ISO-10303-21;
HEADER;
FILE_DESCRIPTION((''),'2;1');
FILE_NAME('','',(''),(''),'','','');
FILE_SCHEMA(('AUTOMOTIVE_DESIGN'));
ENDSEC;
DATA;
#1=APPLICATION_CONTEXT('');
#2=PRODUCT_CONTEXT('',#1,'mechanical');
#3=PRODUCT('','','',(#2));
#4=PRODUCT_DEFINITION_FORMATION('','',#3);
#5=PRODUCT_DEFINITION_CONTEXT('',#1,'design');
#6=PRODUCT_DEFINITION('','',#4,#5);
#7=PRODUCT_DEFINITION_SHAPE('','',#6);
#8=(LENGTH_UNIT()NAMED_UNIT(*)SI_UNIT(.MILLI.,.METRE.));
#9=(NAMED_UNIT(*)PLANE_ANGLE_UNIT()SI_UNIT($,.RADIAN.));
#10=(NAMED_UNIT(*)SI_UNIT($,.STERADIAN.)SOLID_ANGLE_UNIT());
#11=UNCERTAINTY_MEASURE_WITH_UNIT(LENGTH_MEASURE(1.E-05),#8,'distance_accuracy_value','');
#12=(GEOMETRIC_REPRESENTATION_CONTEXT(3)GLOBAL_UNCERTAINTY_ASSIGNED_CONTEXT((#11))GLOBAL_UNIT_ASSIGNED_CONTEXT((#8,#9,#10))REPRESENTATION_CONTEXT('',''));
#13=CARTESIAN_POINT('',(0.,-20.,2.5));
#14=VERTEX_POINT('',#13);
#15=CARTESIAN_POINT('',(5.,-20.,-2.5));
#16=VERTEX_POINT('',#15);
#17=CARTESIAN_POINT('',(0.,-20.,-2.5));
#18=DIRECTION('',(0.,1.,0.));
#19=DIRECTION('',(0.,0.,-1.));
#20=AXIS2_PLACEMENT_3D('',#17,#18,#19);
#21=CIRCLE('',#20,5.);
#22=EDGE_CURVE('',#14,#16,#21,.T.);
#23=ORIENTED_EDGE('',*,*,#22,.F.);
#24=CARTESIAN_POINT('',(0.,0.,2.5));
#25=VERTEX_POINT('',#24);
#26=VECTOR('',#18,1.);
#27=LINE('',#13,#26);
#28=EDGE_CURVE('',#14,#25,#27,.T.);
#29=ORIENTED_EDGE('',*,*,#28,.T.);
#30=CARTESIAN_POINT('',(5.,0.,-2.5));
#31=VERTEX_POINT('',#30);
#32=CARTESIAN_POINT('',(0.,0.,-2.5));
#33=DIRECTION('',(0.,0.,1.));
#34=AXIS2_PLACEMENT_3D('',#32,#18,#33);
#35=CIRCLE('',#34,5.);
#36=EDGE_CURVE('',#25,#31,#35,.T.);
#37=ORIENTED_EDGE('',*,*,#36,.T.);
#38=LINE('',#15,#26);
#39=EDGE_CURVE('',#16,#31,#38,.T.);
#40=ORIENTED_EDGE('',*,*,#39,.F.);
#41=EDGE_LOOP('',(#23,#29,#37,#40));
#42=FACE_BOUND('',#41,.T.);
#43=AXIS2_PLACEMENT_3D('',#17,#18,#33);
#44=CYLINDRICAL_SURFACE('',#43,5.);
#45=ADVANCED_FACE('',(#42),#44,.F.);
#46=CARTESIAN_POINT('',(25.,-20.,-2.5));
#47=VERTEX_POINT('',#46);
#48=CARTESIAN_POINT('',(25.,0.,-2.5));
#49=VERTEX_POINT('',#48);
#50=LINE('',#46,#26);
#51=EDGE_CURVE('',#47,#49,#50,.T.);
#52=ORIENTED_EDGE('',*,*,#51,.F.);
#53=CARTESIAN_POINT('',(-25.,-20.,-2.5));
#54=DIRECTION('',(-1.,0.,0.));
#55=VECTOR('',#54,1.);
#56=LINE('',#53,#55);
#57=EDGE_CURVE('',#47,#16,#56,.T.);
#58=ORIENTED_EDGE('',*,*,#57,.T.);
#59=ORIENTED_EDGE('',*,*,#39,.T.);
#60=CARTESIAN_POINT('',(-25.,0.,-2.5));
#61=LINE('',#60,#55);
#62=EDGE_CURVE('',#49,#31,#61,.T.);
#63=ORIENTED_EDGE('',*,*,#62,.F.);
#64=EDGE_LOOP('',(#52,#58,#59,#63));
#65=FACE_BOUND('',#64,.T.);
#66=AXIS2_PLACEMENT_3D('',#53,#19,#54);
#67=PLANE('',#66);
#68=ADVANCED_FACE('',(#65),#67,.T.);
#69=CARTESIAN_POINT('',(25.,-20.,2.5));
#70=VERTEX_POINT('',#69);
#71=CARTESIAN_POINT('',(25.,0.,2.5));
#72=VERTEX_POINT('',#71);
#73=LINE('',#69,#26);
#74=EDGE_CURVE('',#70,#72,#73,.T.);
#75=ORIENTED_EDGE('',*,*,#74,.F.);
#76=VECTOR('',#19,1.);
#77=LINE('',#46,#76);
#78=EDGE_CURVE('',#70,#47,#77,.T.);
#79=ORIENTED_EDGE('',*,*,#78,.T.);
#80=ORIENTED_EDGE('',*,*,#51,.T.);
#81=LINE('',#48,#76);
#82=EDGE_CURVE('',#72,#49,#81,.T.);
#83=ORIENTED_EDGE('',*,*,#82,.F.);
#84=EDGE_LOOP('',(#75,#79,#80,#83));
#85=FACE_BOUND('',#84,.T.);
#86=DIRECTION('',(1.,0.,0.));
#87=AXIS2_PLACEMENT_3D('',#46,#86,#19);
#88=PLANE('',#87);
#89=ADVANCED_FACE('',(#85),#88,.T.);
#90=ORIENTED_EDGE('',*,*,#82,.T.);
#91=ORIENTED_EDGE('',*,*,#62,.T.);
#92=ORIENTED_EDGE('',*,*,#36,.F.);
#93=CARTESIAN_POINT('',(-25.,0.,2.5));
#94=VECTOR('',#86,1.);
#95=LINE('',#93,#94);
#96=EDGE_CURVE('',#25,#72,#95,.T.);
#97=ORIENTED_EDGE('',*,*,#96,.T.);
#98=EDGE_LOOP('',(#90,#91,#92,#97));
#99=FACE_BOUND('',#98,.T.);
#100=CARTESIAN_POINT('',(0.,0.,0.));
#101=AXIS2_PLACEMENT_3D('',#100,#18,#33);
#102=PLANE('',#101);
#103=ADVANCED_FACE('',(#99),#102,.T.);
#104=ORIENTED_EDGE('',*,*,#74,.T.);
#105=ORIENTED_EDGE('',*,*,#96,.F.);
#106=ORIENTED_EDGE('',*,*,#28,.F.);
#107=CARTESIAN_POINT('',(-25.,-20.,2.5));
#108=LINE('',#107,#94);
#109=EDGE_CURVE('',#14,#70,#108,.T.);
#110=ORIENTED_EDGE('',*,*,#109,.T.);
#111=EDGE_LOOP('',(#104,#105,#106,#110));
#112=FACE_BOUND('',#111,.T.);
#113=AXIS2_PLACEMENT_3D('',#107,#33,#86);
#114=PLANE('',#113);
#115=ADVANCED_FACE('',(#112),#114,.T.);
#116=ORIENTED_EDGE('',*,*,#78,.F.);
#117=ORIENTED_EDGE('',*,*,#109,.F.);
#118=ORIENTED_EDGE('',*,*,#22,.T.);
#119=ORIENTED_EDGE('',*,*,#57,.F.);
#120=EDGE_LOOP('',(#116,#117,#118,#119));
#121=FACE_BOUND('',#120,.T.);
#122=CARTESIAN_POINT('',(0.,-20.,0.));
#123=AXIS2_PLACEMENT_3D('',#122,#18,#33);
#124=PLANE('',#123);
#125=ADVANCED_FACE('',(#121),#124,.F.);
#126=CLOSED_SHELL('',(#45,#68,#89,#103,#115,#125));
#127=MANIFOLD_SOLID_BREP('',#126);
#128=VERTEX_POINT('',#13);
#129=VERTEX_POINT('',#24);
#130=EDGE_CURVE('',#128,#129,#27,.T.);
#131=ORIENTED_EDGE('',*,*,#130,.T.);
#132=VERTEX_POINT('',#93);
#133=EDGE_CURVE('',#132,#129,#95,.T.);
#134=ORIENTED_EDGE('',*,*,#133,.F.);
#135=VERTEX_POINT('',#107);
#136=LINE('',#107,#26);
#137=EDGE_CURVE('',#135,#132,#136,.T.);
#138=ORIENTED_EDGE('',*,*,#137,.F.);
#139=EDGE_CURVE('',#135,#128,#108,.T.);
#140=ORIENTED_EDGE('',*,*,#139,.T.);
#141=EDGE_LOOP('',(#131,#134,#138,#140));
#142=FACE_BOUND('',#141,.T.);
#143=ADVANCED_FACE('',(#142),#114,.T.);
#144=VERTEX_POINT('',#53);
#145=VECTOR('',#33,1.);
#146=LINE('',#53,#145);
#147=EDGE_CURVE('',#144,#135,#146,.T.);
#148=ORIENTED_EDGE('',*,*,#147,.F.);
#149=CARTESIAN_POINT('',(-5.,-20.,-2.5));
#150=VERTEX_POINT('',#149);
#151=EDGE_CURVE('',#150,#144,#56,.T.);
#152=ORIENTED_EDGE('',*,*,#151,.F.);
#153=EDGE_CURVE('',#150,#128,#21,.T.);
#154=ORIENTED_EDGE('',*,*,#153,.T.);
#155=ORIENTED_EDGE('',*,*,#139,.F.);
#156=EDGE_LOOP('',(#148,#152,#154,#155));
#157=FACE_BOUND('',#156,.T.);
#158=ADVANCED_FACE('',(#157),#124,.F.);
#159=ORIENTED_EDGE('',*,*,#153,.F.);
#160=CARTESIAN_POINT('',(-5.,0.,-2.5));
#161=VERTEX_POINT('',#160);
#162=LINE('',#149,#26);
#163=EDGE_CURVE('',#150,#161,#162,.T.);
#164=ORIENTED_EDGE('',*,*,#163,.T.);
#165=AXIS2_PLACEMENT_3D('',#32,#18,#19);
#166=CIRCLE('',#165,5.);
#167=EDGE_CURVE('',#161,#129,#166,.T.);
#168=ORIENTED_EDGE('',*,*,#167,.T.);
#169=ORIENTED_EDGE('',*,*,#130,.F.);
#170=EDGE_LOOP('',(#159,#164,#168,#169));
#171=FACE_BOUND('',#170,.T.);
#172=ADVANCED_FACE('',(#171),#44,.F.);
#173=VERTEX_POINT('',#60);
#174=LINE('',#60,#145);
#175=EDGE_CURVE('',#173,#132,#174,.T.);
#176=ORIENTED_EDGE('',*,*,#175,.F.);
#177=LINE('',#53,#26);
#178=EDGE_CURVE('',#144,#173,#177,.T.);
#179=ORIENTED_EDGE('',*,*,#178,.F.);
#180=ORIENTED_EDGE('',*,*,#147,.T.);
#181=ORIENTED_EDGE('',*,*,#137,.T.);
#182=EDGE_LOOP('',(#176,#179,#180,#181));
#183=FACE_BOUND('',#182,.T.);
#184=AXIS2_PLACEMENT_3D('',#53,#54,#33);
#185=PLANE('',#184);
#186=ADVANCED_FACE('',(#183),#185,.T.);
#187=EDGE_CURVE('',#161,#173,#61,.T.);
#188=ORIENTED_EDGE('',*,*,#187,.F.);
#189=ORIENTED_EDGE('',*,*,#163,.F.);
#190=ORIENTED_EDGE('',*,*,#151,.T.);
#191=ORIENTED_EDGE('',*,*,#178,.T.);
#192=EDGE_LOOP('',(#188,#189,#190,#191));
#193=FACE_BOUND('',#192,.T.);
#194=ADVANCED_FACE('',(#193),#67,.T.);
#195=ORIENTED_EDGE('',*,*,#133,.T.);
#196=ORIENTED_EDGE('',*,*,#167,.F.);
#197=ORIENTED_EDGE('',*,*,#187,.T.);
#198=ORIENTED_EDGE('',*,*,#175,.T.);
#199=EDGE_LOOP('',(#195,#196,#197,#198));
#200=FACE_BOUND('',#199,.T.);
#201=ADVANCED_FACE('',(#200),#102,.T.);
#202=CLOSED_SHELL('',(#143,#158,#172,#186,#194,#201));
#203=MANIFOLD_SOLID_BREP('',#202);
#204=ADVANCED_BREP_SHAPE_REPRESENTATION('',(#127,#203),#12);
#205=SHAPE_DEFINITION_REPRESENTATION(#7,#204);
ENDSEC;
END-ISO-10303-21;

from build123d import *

# Parameters (mm, degrees)
SKETCH3_W           = 50
SKETCH3_H           = 5
BOSS_EXTRUDE2_DEPTH = 20
CUT_EXTRUDE2_DEPTH  = 20


with BuildPart() as part:
    # Sketch3 → Boss-Extrude2 (new body)
    with BuildSketch(Plane(origin=(0, 0, 0), x_dir=(1, 0, 0), z_dir=(0, 1, 0))):
        Rectangle(SKETCH3_W, SKETCH3_H)
    extrude(amount=-BOSS_EXTRUDE2_DEPTH)

    # Sketch5 → Cut-Extrude2 (cut)
    with BuildSketch(Plane(origin=(0, 0, 0), x_dir=(1, 0, 0), z_dir=(0, 1, 0))):
        with BuildLine():
            Line((-5, 2.5), (5, 2.5))
            ThreePointArc((5, 2.5), (0, -2.5), (-5, 2.5))
        make_face()
    extrude(amount=-CUT_EXTRUDE2_DEPTH, mode=Mode.SUBTRACT)


with BuildPart() as cut_extrude2_piece_1:
    # of the separate pieces the step leaves, piece 1, a body of its own (cut_extrude2_pieces)
    add(part.part.solids().sort_by_distance((5, 0, -2.5))[0])


with BuildPart() as cut_extrude2_piece_2:
    # of the separate pieces the step leaves, piece 2, a body of its own (cut_extrude2_pieces)
    add(part.part.solids().sort_by_distance((-25, 0, -2.5))[0])


solid = Compound([cut_extrude2_piece_1.part, cut_extrude2_piece_2.part])
